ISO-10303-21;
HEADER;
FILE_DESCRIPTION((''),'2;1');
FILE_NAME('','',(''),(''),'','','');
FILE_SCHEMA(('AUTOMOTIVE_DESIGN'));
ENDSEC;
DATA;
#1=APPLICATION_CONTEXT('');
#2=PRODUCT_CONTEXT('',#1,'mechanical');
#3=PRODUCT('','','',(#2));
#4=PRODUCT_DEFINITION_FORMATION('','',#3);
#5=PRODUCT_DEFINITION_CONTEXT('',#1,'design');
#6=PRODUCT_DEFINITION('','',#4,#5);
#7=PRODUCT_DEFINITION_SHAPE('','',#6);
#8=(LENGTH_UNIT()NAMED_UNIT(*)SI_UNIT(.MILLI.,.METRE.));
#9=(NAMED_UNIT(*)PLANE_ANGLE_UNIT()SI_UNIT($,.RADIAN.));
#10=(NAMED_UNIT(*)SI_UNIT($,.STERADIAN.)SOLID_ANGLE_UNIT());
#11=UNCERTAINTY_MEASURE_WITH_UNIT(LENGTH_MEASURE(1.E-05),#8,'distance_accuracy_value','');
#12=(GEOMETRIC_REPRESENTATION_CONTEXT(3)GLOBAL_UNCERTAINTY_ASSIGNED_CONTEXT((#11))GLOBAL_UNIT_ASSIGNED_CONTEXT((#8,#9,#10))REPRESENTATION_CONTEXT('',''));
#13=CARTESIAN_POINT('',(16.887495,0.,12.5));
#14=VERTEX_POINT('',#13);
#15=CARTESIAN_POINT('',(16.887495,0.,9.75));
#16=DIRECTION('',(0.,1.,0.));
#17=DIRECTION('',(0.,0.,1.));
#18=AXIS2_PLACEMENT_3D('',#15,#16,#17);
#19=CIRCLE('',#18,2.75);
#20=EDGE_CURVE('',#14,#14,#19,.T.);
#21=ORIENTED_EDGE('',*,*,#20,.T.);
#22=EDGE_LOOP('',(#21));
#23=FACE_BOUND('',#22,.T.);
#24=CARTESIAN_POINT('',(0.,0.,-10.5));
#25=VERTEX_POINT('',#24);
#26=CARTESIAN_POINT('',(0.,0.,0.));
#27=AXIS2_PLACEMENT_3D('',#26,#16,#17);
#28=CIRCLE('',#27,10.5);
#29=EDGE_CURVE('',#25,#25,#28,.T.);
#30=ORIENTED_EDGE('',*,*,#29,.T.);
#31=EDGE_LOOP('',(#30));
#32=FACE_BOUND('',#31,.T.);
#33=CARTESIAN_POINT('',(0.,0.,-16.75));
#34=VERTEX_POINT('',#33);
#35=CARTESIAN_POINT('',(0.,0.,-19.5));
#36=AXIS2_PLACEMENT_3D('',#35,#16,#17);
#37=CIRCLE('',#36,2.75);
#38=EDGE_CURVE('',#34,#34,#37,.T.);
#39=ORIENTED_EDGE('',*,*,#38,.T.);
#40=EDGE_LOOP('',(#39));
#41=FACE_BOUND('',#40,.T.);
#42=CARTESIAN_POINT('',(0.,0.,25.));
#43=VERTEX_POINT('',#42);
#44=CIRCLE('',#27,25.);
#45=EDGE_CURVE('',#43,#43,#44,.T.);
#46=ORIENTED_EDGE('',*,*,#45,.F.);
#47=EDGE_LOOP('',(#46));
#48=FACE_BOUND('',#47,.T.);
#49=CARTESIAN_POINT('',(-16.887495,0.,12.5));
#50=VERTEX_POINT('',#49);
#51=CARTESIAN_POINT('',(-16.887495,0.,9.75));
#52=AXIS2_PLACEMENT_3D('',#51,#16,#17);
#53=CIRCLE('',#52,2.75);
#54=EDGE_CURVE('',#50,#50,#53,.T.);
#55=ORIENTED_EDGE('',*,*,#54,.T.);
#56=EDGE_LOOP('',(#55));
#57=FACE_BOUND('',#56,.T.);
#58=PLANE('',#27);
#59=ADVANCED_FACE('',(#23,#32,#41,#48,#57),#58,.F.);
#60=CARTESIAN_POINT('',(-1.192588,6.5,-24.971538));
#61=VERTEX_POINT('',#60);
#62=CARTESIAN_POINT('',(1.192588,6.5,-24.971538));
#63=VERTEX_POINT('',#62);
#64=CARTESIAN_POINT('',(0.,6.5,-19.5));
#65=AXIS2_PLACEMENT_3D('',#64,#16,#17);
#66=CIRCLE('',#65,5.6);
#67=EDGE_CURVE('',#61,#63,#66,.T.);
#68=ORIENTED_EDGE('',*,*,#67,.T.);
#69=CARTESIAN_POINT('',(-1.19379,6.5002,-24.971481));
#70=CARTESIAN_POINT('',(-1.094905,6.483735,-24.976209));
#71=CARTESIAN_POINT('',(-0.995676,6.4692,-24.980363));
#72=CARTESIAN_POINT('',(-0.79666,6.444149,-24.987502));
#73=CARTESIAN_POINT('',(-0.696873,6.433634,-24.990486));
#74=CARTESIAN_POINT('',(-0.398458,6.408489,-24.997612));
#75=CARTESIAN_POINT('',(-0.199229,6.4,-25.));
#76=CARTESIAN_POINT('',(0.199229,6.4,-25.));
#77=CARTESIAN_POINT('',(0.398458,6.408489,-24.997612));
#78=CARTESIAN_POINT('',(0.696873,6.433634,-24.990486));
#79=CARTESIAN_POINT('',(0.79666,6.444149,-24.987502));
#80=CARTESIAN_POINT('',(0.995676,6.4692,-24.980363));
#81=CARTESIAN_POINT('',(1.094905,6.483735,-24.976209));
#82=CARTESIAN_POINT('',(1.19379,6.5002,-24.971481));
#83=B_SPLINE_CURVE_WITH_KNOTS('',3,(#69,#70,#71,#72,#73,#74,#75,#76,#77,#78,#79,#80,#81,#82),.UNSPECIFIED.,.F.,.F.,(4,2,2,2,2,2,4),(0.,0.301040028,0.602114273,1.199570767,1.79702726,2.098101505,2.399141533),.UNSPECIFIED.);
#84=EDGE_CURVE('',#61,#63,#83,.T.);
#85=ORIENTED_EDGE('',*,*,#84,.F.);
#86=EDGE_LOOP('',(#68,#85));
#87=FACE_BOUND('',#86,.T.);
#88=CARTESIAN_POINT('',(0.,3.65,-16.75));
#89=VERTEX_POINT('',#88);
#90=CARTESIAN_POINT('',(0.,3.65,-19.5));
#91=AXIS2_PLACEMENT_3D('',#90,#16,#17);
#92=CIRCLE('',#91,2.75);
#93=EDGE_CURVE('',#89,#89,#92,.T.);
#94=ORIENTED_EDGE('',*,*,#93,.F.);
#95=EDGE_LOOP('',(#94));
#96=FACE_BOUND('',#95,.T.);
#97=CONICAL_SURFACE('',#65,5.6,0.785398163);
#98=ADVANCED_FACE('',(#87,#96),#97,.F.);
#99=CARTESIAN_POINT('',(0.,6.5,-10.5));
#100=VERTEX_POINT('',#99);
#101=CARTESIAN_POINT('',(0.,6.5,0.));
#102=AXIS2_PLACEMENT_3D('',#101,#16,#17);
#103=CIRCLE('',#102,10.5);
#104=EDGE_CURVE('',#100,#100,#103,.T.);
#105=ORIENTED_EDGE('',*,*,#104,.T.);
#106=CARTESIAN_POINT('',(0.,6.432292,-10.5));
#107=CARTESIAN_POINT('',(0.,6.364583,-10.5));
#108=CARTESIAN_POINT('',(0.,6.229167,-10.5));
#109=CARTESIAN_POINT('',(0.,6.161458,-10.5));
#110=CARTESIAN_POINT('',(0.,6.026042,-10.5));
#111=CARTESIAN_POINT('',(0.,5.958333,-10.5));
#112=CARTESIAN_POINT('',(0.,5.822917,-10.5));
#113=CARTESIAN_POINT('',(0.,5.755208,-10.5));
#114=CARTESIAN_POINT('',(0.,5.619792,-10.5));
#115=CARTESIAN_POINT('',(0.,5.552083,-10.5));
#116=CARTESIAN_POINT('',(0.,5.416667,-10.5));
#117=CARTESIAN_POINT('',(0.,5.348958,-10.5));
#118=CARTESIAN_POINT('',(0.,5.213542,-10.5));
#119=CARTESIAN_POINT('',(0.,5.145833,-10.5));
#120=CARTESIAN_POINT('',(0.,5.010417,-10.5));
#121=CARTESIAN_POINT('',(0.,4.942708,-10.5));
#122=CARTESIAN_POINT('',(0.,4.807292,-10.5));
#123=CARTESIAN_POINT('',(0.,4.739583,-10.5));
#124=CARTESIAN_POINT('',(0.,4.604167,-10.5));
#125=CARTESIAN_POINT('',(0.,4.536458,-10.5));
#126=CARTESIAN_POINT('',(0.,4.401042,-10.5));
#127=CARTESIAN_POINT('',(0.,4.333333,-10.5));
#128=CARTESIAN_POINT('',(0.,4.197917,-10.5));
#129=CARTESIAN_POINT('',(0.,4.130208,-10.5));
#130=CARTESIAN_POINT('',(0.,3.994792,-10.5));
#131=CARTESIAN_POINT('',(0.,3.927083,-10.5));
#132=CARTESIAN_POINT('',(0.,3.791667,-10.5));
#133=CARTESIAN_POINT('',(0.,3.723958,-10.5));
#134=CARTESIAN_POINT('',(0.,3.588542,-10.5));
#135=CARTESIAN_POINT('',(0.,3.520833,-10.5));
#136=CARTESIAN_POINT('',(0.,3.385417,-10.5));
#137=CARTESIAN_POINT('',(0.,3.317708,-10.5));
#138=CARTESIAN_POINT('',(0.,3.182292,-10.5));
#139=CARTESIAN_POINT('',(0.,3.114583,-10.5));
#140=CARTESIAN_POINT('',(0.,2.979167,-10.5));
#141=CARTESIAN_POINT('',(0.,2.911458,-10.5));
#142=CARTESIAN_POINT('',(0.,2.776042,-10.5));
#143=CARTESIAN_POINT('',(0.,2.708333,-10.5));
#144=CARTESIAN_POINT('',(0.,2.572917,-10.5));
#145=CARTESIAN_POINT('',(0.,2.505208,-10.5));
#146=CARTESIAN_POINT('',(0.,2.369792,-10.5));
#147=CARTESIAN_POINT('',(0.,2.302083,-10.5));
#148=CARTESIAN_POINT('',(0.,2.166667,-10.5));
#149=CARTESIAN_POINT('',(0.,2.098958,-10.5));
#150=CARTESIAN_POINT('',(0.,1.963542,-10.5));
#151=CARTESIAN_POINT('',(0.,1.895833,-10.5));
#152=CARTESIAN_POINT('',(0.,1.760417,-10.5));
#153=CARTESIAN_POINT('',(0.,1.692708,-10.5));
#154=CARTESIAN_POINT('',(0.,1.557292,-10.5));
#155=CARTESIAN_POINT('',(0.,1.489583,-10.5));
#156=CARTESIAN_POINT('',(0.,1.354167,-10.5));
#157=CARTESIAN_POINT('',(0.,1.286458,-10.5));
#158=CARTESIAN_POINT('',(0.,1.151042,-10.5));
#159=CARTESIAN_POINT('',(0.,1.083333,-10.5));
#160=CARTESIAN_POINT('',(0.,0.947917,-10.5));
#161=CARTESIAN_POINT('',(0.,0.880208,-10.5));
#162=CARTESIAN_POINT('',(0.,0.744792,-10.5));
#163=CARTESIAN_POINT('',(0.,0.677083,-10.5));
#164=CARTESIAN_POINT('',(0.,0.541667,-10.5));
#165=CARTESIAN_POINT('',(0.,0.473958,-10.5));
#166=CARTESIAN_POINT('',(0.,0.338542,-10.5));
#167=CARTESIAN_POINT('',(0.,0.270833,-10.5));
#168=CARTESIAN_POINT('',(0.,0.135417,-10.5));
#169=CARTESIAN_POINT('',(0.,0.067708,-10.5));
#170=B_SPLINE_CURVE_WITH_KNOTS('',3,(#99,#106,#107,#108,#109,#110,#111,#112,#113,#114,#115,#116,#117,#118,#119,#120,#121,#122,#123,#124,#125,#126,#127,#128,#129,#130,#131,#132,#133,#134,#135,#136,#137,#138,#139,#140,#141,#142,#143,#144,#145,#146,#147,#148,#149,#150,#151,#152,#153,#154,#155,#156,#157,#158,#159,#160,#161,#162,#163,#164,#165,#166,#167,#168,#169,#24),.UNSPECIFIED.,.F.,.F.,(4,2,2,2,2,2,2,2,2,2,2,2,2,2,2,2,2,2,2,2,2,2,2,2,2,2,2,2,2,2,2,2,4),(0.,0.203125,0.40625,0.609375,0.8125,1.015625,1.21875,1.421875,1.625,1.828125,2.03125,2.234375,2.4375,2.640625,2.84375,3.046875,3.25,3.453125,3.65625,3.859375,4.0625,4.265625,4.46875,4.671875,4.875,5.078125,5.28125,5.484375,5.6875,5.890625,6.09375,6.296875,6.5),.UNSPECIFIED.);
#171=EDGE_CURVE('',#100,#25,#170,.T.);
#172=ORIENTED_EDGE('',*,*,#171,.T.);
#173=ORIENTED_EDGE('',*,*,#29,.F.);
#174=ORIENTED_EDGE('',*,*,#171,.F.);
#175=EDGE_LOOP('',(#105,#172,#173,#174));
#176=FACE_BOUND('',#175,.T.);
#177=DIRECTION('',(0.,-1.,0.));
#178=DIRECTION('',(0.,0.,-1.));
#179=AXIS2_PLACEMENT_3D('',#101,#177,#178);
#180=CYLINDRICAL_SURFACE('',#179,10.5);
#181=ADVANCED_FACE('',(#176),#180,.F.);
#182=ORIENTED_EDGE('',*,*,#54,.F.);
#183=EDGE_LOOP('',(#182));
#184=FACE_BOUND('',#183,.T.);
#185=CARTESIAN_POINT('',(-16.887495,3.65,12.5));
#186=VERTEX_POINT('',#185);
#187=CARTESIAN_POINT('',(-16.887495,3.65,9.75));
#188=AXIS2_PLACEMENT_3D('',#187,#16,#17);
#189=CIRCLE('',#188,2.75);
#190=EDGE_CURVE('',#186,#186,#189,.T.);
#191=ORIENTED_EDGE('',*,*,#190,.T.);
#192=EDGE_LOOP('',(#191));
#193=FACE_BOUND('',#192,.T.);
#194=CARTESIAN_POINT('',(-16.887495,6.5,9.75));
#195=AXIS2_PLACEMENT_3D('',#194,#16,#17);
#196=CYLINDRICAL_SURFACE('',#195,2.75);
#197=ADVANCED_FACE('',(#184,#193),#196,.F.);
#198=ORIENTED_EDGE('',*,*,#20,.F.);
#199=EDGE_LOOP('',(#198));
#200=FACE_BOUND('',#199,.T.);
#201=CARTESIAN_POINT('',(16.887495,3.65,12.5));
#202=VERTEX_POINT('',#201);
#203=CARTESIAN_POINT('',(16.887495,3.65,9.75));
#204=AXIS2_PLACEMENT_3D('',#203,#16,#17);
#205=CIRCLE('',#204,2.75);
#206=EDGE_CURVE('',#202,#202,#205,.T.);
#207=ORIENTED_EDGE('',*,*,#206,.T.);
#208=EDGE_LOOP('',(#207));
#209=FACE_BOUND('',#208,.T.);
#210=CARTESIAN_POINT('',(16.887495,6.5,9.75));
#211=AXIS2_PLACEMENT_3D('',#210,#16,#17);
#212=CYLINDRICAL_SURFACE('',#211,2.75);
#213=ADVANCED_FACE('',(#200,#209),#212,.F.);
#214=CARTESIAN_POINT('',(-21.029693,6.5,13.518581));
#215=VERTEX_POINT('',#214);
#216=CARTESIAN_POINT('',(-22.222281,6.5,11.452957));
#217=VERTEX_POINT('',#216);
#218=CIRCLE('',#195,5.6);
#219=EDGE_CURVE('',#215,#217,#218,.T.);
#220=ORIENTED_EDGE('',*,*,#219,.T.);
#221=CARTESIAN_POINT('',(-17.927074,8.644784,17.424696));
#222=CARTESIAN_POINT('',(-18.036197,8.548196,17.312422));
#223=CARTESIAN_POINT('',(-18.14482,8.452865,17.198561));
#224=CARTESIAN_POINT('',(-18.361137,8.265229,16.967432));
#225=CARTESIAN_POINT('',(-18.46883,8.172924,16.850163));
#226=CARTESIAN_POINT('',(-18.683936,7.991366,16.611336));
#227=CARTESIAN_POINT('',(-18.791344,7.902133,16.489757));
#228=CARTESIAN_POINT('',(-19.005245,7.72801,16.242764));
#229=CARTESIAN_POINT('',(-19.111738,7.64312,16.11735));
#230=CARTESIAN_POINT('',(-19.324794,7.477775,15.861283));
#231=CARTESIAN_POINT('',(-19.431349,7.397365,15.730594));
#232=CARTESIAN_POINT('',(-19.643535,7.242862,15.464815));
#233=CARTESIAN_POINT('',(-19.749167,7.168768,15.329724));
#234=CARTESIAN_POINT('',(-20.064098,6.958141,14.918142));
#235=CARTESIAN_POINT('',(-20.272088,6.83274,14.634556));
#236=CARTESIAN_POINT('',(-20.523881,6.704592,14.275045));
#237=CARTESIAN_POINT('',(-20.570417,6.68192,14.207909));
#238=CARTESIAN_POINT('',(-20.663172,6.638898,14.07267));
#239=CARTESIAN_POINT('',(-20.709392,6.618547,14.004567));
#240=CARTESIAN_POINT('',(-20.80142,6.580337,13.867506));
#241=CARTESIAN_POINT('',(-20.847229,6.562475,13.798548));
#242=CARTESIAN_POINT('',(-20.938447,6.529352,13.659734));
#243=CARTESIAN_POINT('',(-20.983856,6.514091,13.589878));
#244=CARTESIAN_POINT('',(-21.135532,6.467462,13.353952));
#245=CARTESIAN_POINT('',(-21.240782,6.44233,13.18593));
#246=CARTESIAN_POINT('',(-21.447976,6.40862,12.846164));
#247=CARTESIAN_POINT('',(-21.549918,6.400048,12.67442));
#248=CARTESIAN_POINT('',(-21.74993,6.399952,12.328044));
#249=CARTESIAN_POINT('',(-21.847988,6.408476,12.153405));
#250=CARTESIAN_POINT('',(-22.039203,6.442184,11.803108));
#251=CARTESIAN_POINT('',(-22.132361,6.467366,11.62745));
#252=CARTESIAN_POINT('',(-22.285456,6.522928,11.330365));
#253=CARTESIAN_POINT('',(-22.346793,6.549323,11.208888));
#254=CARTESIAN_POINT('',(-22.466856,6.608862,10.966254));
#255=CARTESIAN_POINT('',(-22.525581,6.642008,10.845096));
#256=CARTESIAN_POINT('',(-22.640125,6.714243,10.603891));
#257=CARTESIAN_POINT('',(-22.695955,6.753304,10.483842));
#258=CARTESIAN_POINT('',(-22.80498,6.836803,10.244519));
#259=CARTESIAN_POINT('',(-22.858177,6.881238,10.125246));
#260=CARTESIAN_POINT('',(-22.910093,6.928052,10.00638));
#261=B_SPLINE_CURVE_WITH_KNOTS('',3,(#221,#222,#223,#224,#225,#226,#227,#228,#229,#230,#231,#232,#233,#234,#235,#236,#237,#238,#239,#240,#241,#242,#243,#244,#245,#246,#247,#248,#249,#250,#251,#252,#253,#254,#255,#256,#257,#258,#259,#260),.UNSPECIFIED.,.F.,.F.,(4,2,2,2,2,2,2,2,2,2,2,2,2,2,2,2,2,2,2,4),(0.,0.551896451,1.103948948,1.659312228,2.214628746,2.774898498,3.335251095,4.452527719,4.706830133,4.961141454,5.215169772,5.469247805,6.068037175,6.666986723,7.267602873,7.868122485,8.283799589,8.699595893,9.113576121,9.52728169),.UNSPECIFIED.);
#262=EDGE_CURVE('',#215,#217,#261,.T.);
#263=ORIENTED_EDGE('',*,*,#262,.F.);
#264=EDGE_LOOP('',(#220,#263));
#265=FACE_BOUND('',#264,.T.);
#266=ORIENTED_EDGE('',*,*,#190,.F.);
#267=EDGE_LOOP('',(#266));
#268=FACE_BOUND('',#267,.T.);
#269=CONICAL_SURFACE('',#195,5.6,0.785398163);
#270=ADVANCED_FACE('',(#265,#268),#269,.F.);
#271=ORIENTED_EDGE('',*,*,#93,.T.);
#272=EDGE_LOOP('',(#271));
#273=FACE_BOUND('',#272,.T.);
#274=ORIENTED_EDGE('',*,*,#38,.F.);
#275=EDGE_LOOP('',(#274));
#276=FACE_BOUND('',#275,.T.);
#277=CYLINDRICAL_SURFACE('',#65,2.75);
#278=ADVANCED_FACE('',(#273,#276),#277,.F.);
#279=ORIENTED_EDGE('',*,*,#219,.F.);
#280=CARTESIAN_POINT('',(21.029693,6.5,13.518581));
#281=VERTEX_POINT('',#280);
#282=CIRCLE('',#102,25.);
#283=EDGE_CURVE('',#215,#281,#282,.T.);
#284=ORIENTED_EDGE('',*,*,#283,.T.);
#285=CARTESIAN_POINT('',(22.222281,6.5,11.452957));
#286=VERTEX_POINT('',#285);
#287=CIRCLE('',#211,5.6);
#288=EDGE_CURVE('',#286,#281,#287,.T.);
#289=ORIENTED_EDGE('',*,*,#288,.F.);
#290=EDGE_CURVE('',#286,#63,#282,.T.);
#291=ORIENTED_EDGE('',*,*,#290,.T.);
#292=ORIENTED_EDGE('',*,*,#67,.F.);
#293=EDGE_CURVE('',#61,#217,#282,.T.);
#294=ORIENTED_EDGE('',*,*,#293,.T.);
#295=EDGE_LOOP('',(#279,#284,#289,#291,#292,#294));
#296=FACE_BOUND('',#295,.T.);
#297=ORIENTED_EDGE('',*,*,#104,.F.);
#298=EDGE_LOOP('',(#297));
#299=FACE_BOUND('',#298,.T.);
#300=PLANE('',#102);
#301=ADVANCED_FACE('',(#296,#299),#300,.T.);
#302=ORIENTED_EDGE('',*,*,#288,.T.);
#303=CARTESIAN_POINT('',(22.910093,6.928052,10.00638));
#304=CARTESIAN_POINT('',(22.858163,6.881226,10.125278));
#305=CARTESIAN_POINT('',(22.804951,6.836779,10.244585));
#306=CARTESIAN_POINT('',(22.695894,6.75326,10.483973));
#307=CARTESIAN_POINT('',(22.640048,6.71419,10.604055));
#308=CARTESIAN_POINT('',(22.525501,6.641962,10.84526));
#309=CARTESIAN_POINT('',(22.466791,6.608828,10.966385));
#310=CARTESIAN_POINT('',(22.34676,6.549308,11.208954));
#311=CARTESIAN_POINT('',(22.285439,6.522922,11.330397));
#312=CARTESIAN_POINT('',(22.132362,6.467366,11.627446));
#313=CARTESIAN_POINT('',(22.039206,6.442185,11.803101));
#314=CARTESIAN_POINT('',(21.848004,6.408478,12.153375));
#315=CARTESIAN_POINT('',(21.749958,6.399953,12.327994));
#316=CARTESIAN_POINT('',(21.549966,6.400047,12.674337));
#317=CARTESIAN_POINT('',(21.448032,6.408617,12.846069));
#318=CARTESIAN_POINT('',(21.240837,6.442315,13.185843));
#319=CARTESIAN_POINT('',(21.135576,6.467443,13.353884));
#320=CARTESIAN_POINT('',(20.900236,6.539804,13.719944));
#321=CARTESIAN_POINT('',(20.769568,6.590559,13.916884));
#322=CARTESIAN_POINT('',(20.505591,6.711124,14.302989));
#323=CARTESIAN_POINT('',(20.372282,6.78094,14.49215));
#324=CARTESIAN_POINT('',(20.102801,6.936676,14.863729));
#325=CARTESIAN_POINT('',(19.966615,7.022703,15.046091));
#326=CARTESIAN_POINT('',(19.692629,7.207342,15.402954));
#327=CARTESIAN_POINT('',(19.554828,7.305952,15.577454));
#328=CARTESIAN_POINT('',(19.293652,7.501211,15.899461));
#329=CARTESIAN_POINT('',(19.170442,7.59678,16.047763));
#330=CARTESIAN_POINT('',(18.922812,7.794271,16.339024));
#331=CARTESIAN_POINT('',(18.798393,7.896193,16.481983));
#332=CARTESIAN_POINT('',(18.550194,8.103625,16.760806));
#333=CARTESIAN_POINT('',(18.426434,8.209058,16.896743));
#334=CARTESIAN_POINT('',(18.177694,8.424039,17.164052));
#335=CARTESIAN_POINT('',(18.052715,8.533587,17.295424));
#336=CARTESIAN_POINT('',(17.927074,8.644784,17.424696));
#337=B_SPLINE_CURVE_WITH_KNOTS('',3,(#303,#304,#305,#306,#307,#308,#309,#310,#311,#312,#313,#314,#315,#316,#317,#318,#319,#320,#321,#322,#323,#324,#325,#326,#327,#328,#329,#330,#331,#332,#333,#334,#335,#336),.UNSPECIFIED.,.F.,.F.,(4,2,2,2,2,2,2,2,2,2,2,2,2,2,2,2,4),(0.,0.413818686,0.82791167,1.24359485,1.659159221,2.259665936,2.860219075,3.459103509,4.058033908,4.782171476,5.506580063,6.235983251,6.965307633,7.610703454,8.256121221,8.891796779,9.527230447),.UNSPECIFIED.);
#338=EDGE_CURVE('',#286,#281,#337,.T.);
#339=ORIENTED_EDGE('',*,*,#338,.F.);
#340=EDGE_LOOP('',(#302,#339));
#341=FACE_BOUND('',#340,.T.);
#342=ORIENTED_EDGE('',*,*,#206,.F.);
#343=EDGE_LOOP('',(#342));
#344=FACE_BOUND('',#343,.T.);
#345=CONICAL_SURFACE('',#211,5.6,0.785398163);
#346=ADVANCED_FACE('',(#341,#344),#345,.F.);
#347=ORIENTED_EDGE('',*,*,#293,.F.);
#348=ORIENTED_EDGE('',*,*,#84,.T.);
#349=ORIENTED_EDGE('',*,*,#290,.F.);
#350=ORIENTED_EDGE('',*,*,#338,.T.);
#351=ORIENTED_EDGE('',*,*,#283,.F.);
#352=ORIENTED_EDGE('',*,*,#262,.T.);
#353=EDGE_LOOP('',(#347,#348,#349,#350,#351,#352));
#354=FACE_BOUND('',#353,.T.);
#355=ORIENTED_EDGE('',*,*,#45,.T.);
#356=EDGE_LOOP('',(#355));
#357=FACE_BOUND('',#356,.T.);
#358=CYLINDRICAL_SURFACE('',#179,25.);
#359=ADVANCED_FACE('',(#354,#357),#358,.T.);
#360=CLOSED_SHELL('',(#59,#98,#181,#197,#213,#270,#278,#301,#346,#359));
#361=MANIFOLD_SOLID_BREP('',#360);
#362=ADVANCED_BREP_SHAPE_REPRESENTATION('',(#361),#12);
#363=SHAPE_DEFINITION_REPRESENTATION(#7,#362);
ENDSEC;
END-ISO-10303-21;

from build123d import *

# Parameters (mm, degrees)
SKETCH1_R                     = 25
SKETCH1_R_2                   = 10.5
BOSS_EXTRUDE1_DEPTH           = 6.5
CSK_FOR_M5_SFHCS1_D           = 5.5
CSK_FOR_M5_SFHCS1_CSINK_D     = 11.2
CSK_FOR_M5_SFHCS1_CSINK_ANGLE = 90
CIRPATTERN1_COUNT             = 3


with BuildPart() as part:
    # Sketch1 → Boss-Extrude1 (new body)
    with BuildSketch(Plane(origin=(0, 0, 0), x_dir=(1, 0, 0), z_dir=(0, 1, 0))):
        with Locations(Location((0, 0, 0), (0, 0, 90))):
            Circle(SKETCH1_R)
        with Locations(Location((0, 0, 0), (0, 0, 90))):
            Circle(SKETCH1_R_2, mode=Mode.SUBTRACT)
    extrude(amount=BOSS_EXTRUDE1_DEPTH)

    # CSK for M5 SFHCS1 (through all)
    with Locations(Plane(origin=(0, 6.5, 0), x_dir=(1, 0, 0), z_dir=(0, 1, 0))):
        with Locations((0, 19.5)):
            csk_for_m5_sfhcs1 = CounterSinkHole(CSK_FOR_M5_SFHCS1_D / 2, CSK_FOR_M5_SFHCS1_CSINK_D / 2, counter_sink_angle=CSK_FOR_M5_SFHCS1_CSINK_ANGLE)

    # CirPattern1: CSK for M5 SFHCS1 ×3 about axis
    cirpattern1_axis = Axis((0, 0, 0), (0, 1, 0))
    for i in range(1, CIRPATTERN1_COUNT):
        add(csk_for_m5_sfhcs1.rotate(cirpattern1_axis, i * 360 / CIRPATTERN1_COUNT), mode=Mode.SUBTRACT)


solid = part.part
